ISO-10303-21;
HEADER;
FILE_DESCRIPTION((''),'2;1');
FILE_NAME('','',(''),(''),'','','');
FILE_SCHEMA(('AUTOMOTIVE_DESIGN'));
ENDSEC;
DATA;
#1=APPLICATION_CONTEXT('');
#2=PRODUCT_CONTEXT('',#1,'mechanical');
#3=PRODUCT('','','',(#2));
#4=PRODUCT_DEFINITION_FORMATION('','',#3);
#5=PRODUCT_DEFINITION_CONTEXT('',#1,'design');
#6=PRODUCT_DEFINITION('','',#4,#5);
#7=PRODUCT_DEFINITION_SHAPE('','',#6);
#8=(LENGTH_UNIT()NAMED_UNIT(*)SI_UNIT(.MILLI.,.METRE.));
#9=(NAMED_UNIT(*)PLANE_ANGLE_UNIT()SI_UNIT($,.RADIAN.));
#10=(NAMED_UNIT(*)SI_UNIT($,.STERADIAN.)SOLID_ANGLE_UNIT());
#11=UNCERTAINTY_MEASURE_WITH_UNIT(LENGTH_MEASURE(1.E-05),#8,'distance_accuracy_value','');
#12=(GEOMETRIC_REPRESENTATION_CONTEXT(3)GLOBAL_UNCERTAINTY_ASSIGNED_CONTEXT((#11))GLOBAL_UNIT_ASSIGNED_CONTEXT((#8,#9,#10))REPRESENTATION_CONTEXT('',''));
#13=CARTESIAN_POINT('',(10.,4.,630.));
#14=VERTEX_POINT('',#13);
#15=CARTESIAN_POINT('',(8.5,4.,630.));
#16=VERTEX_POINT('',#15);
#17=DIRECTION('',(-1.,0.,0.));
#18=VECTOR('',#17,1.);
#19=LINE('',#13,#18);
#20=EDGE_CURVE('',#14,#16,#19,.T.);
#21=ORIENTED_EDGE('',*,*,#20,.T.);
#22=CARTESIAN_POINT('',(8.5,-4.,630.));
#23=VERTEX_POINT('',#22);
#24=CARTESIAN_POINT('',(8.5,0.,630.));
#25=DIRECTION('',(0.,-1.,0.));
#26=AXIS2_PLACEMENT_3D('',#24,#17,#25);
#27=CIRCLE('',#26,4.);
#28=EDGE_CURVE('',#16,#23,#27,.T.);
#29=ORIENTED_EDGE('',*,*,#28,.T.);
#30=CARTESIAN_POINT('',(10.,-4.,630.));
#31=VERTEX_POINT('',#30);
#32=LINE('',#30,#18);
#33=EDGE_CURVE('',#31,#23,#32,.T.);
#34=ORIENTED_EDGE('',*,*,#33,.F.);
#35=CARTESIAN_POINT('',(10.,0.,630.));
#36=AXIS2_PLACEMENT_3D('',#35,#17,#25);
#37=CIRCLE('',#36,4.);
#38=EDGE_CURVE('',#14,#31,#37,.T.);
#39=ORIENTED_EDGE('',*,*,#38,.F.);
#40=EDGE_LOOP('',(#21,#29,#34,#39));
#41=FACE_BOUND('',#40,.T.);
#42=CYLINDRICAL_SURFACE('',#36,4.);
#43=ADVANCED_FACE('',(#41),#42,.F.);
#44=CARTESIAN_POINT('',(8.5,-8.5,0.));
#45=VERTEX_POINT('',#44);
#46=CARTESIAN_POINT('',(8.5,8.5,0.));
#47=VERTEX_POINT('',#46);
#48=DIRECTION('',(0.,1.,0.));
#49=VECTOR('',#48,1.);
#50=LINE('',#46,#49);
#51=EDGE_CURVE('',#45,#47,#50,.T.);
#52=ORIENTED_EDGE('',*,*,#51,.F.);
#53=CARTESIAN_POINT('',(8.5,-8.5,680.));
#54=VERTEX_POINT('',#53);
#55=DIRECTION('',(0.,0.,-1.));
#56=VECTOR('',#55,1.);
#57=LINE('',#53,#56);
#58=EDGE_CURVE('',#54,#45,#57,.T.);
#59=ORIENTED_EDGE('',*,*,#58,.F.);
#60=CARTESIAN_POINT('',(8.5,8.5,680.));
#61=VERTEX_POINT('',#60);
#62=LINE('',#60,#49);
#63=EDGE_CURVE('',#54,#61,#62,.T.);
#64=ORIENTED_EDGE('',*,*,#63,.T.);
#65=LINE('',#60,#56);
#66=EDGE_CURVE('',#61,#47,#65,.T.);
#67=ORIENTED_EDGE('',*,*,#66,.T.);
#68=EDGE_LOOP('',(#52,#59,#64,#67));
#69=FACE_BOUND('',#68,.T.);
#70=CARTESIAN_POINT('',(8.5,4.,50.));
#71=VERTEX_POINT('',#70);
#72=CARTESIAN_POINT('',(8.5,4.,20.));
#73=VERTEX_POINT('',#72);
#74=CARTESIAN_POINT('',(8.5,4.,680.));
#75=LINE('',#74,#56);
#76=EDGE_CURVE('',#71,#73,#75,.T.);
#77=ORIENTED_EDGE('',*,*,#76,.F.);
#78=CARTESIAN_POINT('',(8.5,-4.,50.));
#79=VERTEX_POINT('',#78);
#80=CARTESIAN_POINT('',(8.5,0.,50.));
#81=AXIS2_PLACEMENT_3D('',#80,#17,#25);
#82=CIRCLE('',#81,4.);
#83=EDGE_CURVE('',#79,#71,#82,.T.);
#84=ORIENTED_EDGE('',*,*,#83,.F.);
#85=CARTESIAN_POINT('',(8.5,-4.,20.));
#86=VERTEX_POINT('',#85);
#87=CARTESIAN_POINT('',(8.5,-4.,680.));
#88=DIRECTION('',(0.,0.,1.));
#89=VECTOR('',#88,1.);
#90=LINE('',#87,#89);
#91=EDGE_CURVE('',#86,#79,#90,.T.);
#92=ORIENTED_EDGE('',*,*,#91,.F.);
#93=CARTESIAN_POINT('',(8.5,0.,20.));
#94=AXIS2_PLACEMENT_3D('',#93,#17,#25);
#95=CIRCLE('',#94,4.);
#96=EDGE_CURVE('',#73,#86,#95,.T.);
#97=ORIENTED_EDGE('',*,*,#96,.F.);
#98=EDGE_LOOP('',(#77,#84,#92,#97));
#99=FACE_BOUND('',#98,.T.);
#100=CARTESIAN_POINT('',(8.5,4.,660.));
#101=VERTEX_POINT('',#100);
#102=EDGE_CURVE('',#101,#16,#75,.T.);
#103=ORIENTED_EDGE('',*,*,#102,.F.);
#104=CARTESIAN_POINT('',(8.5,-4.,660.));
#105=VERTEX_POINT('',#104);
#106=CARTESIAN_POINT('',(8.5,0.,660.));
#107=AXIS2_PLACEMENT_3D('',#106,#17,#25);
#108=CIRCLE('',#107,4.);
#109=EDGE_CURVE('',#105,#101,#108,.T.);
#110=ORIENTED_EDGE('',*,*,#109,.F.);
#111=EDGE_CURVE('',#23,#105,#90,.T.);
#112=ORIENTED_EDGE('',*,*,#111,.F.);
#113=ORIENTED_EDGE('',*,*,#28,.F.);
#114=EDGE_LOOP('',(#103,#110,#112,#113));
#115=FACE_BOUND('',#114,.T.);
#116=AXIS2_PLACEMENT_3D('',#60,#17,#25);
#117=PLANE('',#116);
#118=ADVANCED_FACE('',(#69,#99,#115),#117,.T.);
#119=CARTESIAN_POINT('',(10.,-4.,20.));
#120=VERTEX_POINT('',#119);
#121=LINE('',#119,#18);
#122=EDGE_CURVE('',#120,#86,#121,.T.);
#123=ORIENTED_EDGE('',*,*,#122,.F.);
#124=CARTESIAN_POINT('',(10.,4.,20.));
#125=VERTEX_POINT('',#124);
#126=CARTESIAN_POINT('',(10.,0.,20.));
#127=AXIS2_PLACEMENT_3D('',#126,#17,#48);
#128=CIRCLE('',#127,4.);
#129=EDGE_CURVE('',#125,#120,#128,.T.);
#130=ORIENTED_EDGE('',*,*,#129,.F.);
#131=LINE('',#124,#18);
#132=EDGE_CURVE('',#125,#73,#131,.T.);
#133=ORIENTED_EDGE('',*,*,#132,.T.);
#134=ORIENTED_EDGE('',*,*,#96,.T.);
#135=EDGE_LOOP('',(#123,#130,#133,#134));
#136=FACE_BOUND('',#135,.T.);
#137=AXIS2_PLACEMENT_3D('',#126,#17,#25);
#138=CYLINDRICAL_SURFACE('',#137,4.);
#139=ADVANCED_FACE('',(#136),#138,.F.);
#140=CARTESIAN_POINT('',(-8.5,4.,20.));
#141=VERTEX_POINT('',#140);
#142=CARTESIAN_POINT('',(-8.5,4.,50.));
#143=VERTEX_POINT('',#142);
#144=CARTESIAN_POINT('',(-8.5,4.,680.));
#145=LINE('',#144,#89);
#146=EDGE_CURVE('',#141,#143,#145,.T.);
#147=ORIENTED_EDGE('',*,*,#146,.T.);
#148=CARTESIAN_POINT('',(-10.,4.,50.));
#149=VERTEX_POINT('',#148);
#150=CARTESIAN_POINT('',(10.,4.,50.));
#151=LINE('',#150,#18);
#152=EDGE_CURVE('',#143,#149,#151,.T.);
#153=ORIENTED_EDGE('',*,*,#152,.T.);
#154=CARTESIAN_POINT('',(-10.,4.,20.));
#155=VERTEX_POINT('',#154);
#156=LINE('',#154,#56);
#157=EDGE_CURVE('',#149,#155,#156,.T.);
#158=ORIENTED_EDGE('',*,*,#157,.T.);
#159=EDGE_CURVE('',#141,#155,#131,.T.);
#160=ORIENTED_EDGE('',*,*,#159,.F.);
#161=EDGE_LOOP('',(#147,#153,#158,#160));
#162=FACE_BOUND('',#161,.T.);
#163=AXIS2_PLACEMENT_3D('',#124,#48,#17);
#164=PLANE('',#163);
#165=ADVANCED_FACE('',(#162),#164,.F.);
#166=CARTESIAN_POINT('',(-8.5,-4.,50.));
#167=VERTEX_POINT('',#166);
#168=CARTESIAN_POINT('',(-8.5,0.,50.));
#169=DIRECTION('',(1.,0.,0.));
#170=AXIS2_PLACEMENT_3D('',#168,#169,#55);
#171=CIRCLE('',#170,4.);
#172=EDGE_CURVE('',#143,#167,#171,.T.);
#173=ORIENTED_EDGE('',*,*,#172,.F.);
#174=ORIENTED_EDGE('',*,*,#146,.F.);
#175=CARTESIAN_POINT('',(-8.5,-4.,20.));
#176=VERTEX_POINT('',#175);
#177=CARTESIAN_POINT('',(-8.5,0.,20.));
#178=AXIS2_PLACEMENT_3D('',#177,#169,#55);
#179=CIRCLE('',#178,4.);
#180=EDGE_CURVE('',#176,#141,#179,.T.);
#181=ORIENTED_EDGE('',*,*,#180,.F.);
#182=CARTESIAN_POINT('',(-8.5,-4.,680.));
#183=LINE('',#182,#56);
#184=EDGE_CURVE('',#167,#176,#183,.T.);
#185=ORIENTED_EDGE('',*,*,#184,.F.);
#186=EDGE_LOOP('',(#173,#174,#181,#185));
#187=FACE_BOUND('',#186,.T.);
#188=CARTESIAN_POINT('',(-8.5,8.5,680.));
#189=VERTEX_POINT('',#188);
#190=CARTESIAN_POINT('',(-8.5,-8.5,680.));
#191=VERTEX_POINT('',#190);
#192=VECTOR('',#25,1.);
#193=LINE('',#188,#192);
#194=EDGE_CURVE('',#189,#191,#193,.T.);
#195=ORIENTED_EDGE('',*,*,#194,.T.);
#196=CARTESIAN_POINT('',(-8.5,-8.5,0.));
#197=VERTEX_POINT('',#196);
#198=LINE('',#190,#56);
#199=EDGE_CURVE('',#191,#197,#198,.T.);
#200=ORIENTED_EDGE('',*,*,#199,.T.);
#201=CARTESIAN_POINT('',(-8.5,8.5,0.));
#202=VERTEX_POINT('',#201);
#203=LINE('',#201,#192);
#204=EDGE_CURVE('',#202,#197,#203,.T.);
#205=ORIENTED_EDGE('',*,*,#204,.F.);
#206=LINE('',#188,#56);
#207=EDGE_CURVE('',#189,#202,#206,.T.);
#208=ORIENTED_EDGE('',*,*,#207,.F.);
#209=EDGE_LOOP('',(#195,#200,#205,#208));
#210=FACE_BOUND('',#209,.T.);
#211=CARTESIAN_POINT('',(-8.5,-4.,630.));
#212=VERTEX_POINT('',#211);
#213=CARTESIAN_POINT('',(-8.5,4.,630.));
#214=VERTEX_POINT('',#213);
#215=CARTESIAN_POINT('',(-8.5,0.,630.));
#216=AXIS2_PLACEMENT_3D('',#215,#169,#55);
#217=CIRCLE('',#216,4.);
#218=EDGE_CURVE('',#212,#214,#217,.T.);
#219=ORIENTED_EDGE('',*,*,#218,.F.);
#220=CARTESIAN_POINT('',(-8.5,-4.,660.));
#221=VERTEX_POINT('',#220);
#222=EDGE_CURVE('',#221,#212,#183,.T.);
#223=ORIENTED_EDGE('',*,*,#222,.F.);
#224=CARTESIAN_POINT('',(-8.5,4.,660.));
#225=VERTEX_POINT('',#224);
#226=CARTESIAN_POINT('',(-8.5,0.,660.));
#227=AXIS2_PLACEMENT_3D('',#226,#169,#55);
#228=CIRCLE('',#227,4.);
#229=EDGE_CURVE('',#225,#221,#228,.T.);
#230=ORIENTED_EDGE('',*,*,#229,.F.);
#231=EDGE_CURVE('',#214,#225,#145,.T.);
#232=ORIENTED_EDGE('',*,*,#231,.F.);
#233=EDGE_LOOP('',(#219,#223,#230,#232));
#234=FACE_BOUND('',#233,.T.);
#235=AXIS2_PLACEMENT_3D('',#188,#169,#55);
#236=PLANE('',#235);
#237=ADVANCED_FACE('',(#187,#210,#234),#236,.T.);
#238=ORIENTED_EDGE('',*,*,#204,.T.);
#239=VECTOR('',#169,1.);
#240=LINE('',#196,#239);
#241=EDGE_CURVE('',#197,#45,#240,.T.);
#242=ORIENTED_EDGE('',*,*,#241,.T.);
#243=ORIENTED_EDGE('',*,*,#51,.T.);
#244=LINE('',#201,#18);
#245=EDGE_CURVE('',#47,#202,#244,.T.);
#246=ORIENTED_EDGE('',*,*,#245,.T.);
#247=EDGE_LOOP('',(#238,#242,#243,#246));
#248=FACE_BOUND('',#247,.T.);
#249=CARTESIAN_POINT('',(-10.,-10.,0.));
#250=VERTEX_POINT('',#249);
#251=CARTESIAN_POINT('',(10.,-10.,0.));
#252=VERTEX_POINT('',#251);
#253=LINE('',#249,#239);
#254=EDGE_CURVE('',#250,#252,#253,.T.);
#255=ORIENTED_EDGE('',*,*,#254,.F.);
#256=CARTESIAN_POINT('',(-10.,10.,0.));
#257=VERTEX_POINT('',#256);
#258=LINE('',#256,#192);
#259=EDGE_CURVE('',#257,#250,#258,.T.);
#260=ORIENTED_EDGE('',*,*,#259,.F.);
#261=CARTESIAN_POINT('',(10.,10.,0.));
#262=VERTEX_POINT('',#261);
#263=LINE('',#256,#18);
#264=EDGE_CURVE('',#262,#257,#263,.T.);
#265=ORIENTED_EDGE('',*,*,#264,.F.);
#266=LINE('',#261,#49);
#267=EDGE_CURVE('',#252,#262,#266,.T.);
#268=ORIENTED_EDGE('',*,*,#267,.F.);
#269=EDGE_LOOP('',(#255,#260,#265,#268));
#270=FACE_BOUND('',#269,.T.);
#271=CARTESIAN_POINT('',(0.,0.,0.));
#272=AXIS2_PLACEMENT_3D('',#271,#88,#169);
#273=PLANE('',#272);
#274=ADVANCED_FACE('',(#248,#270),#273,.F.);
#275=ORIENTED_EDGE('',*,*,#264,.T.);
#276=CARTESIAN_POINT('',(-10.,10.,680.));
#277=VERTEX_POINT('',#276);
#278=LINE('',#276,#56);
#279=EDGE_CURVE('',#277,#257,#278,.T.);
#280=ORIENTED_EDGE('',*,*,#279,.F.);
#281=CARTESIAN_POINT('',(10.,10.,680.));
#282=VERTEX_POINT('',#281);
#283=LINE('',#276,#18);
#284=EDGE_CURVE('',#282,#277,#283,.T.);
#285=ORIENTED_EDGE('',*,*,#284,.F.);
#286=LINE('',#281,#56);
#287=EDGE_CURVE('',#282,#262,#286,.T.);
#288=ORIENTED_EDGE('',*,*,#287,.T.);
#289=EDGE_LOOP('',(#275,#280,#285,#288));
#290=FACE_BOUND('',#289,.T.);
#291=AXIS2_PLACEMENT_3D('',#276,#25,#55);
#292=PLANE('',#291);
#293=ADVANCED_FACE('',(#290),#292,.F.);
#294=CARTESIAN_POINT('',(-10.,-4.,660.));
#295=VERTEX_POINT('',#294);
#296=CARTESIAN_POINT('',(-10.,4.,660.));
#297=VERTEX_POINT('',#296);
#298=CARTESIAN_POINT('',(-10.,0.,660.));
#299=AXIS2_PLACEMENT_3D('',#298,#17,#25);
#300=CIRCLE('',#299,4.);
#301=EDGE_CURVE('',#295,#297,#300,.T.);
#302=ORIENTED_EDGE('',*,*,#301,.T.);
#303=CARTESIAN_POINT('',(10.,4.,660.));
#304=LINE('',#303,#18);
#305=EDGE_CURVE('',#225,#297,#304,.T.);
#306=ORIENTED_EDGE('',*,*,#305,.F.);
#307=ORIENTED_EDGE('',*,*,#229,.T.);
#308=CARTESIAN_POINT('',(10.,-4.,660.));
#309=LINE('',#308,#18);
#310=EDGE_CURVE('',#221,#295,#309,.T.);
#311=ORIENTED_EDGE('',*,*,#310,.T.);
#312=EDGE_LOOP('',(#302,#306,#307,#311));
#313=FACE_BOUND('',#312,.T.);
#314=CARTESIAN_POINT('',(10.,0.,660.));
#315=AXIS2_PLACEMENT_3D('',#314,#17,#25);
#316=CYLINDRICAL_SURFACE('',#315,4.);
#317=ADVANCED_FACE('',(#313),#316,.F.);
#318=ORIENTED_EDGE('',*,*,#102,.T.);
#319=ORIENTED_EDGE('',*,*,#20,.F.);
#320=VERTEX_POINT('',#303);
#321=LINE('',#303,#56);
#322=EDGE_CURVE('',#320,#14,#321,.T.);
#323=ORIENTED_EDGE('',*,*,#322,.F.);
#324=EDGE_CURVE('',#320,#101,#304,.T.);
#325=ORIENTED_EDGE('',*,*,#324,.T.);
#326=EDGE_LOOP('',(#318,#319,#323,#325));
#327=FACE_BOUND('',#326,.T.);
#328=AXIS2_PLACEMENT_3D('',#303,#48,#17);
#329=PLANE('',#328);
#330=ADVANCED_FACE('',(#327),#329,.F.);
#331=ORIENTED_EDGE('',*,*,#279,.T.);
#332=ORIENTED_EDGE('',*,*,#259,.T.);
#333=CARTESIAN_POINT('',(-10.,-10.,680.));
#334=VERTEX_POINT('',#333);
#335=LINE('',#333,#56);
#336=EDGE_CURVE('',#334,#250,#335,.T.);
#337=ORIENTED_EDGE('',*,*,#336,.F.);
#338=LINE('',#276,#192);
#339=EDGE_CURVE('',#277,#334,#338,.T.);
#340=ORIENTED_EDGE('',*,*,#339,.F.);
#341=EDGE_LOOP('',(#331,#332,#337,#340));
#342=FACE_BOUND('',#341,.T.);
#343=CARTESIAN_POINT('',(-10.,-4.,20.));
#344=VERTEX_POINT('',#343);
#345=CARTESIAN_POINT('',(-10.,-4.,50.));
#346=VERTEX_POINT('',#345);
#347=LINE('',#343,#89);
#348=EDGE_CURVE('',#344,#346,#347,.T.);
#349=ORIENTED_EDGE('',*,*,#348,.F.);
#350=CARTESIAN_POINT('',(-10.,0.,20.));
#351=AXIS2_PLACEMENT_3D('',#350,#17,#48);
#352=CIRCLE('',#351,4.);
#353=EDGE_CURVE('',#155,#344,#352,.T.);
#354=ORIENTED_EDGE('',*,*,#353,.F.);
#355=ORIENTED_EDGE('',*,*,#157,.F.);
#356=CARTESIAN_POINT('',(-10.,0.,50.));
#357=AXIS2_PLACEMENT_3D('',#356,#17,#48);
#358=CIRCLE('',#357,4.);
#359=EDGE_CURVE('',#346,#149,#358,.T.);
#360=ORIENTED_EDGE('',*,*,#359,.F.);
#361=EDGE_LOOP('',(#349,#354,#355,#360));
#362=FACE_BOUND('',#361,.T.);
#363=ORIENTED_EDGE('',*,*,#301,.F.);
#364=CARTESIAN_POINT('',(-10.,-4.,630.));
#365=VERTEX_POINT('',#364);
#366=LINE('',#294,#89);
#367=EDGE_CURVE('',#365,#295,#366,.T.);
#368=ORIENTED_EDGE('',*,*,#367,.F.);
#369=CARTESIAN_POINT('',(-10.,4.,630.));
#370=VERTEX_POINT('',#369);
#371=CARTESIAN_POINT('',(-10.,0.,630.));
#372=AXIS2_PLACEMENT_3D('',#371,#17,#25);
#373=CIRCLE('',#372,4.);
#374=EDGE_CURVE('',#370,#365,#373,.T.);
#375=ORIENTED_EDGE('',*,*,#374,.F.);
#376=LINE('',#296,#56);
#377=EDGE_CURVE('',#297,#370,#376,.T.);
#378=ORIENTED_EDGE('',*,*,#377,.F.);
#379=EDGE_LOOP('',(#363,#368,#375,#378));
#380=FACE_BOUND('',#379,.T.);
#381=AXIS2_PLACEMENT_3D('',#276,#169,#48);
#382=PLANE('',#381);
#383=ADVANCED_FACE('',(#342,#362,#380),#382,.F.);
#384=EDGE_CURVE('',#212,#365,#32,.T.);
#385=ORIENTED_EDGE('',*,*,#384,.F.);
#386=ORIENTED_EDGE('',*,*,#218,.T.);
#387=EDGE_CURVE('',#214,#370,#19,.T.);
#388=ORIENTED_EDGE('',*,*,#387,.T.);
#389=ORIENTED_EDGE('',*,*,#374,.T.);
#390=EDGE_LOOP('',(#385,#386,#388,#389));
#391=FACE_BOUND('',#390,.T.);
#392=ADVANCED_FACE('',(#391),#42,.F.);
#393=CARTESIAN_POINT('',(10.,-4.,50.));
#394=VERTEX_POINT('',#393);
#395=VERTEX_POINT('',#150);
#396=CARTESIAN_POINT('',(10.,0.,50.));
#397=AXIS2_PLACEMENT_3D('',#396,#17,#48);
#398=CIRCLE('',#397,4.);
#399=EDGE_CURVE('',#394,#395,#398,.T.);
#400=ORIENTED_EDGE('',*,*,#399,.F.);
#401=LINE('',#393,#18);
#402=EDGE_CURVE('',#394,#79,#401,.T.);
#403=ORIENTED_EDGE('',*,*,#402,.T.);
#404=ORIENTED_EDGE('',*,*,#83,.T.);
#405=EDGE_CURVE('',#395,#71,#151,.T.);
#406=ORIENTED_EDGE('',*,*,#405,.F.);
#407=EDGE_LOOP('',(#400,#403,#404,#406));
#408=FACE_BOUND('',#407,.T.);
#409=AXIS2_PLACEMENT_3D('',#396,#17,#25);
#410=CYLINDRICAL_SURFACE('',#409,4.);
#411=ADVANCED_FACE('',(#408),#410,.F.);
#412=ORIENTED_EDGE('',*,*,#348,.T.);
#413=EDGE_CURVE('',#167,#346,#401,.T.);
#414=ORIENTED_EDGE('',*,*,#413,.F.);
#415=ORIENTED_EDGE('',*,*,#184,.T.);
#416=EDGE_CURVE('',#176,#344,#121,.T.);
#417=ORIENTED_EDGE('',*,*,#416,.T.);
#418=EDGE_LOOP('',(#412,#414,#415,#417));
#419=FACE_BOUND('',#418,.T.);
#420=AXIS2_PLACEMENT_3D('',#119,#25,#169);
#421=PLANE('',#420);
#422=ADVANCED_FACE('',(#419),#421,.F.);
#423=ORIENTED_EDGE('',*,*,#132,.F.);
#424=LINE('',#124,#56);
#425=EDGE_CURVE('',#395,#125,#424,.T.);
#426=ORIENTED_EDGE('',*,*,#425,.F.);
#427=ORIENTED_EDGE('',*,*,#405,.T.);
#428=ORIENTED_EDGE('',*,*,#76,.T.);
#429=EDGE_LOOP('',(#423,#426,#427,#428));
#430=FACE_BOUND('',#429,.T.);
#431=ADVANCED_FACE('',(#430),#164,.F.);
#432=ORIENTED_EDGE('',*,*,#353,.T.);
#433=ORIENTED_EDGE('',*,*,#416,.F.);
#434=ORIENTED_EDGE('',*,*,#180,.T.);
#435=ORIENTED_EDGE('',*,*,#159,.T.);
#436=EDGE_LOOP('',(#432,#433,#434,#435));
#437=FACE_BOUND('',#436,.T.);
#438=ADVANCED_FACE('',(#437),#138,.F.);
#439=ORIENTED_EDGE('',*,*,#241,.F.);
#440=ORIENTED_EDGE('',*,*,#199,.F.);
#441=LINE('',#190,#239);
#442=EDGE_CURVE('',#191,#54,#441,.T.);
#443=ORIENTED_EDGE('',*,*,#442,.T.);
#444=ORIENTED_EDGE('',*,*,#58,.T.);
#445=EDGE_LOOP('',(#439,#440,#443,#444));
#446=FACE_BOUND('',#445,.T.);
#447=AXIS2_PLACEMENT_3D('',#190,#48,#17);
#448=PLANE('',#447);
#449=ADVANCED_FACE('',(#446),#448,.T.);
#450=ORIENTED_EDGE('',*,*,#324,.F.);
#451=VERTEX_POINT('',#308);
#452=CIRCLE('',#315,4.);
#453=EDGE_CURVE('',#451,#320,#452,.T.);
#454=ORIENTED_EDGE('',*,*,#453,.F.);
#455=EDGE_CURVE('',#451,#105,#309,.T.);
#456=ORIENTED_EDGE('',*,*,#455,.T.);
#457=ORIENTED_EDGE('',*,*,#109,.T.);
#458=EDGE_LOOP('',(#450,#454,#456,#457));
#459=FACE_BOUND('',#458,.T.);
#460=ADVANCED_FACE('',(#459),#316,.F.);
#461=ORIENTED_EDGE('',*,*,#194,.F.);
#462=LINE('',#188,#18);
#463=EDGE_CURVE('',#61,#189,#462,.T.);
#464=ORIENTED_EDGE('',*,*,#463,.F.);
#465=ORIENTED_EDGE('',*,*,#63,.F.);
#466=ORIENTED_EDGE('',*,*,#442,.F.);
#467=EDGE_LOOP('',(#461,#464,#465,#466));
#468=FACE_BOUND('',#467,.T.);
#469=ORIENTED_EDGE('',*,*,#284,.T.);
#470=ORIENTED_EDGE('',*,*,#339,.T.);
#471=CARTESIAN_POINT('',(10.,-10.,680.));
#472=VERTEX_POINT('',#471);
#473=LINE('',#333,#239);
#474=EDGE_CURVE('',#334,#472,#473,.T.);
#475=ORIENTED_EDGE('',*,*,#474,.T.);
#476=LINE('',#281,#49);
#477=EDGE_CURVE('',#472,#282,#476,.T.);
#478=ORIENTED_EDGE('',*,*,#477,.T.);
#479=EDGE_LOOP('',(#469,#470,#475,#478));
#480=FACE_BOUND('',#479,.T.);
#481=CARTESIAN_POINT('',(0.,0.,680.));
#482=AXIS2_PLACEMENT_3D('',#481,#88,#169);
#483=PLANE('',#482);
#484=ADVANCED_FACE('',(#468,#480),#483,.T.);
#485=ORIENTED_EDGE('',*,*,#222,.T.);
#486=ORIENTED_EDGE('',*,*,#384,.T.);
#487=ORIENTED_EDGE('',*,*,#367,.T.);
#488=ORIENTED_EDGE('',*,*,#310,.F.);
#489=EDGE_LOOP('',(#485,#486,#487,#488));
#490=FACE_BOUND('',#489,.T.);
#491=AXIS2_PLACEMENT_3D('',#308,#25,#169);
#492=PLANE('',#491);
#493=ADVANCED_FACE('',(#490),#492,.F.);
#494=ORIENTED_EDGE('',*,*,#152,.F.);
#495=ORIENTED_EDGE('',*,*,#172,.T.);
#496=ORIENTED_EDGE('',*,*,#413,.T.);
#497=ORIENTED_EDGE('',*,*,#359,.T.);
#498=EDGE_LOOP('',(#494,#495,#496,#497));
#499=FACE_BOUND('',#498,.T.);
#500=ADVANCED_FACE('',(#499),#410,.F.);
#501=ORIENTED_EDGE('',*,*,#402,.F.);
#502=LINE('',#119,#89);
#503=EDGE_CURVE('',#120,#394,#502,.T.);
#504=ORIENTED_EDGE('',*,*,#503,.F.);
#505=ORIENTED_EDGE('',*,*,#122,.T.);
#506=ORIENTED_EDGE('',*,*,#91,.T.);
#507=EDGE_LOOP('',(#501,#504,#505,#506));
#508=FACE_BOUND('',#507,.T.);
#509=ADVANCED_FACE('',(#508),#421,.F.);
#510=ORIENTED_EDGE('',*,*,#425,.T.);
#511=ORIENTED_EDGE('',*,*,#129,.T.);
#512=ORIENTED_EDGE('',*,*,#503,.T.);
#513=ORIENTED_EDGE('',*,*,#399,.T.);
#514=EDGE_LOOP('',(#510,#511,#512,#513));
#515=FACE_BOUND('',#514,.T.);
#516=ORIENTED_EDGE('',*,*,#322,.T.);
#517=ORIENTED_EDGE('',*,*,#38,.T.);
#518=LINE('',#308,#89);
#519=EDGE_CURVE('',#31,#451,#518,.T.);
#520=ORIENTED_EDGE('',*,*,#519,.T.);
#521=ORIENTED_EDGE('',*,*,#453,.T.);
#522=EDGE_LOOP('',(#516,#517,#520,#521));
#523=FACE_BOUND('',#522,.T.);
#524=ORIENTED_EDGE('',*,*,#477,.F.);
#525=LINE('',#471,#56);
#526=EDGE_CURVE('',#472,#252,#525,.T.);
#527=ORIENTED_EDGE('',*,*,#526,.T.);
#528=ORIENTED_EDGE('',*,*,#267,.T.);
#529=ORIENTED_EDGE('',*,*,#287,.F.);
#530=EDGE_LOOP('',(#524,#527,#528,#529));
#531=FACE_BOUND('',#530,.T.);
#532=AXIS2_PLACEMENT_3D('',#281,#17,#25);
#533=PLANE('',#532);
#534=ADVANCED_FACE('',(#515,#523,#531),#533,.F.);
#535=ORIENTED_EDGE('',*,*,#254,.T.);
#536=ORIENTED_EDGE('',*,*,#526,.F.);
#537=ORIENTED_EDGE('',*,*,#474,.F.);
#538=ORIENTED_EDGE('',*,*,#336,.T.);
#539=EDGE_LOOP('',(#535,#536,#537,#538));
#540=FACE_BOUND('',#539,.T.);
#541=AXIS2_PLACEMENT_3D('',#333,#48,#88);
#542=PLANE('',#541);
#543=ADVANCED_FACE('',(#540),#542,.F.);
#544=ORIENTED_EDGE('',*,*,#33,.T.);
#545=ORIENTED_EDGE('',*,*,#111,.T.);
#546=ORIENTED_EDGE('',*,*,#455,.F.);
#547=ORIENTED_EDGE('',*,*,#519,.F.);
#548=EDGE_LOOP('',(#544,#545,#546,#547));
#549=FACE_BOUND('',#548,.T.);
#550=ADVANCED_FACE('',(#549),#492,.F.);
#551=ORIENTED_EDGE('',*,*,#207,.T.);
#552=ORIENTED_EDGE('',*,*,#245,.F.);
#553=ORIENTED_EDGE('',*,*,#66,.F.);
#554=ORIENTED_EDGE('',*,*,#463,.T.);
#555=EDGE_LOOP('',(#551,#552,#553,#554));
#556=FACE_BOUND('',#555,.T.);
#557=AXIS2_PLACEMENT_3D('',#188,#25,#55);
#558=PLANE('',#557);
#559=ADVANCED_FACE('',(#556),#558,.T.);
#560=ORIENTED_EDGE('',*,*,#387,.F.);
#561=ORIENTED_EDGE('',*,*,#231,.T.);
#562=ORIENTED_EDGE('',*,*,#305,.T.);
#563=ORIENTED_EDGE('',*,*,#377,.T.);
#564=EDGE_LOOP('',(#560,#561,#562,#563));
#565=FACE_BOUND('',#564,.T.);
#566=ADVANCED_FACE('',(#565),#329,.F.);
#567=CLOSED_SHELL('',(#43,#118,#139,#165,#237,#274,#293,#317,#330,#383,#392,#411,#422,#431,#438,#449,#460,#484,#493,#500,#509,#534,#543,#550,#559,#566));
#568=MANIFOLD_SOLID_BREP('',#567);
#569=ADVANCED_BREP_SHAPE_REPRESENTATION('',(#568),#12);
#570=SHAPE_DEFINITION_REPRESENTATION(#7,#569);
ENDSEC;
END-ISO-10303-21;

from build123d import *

# Parameters (mm, degrees)
SKETCH_1_W          = 20
SKETCH_1_H          = 20
SKETCH_1_W_2        = 17
SKETCH_1_H_2        = 17
EXTRUDE_1_DEPTH     = 680
CUT_EXTRUDE_1_DEPTH = 681.367547727


with BuildPart() as part:
    # ｽｹｯﾁ1 → ﾎﾞｽ - 押し出し1 (new body)
    with BuildSketch(Plane.XY):
        Rectangle(SKETCH_1_W, SKETCH_1_H)
        Rectangle(SKETCH_1_W_2, SKETCH_1_H_2, mode=Mode.SUBTRACT)
    extrude(amount=EXTRUDE_1_DEPTH)

    # ｽｹｯﾁ2 → ｶｯﾄ - 押し出し1 (cut, through all)
    with BuildSketch(Plane.ZY.offset(10)):
        with BuildLine():
            Line((660, -4), (630, -4))
            ThreePointArc((630, -4), (626, 0), (630, 4))
            Line((630, 4), (660, 4))
            ThreePointArc((660, 4), (664, 0), (660, -4))
        make_face()
        with BuildLine():
            Line((20, -4), (50, -4))
            ThreePointArc((50, -4), (54, 0), (50, 4))
            Line((50, 4), (20, 4))
            ThreePointArc((20, 4), (16, 0), (20, -4))
        make_face()
    extrude(amount=-CUT_EXTRUDE_1_DEPTH, mode=Mode.SUBTRACT)


solid = part.part
